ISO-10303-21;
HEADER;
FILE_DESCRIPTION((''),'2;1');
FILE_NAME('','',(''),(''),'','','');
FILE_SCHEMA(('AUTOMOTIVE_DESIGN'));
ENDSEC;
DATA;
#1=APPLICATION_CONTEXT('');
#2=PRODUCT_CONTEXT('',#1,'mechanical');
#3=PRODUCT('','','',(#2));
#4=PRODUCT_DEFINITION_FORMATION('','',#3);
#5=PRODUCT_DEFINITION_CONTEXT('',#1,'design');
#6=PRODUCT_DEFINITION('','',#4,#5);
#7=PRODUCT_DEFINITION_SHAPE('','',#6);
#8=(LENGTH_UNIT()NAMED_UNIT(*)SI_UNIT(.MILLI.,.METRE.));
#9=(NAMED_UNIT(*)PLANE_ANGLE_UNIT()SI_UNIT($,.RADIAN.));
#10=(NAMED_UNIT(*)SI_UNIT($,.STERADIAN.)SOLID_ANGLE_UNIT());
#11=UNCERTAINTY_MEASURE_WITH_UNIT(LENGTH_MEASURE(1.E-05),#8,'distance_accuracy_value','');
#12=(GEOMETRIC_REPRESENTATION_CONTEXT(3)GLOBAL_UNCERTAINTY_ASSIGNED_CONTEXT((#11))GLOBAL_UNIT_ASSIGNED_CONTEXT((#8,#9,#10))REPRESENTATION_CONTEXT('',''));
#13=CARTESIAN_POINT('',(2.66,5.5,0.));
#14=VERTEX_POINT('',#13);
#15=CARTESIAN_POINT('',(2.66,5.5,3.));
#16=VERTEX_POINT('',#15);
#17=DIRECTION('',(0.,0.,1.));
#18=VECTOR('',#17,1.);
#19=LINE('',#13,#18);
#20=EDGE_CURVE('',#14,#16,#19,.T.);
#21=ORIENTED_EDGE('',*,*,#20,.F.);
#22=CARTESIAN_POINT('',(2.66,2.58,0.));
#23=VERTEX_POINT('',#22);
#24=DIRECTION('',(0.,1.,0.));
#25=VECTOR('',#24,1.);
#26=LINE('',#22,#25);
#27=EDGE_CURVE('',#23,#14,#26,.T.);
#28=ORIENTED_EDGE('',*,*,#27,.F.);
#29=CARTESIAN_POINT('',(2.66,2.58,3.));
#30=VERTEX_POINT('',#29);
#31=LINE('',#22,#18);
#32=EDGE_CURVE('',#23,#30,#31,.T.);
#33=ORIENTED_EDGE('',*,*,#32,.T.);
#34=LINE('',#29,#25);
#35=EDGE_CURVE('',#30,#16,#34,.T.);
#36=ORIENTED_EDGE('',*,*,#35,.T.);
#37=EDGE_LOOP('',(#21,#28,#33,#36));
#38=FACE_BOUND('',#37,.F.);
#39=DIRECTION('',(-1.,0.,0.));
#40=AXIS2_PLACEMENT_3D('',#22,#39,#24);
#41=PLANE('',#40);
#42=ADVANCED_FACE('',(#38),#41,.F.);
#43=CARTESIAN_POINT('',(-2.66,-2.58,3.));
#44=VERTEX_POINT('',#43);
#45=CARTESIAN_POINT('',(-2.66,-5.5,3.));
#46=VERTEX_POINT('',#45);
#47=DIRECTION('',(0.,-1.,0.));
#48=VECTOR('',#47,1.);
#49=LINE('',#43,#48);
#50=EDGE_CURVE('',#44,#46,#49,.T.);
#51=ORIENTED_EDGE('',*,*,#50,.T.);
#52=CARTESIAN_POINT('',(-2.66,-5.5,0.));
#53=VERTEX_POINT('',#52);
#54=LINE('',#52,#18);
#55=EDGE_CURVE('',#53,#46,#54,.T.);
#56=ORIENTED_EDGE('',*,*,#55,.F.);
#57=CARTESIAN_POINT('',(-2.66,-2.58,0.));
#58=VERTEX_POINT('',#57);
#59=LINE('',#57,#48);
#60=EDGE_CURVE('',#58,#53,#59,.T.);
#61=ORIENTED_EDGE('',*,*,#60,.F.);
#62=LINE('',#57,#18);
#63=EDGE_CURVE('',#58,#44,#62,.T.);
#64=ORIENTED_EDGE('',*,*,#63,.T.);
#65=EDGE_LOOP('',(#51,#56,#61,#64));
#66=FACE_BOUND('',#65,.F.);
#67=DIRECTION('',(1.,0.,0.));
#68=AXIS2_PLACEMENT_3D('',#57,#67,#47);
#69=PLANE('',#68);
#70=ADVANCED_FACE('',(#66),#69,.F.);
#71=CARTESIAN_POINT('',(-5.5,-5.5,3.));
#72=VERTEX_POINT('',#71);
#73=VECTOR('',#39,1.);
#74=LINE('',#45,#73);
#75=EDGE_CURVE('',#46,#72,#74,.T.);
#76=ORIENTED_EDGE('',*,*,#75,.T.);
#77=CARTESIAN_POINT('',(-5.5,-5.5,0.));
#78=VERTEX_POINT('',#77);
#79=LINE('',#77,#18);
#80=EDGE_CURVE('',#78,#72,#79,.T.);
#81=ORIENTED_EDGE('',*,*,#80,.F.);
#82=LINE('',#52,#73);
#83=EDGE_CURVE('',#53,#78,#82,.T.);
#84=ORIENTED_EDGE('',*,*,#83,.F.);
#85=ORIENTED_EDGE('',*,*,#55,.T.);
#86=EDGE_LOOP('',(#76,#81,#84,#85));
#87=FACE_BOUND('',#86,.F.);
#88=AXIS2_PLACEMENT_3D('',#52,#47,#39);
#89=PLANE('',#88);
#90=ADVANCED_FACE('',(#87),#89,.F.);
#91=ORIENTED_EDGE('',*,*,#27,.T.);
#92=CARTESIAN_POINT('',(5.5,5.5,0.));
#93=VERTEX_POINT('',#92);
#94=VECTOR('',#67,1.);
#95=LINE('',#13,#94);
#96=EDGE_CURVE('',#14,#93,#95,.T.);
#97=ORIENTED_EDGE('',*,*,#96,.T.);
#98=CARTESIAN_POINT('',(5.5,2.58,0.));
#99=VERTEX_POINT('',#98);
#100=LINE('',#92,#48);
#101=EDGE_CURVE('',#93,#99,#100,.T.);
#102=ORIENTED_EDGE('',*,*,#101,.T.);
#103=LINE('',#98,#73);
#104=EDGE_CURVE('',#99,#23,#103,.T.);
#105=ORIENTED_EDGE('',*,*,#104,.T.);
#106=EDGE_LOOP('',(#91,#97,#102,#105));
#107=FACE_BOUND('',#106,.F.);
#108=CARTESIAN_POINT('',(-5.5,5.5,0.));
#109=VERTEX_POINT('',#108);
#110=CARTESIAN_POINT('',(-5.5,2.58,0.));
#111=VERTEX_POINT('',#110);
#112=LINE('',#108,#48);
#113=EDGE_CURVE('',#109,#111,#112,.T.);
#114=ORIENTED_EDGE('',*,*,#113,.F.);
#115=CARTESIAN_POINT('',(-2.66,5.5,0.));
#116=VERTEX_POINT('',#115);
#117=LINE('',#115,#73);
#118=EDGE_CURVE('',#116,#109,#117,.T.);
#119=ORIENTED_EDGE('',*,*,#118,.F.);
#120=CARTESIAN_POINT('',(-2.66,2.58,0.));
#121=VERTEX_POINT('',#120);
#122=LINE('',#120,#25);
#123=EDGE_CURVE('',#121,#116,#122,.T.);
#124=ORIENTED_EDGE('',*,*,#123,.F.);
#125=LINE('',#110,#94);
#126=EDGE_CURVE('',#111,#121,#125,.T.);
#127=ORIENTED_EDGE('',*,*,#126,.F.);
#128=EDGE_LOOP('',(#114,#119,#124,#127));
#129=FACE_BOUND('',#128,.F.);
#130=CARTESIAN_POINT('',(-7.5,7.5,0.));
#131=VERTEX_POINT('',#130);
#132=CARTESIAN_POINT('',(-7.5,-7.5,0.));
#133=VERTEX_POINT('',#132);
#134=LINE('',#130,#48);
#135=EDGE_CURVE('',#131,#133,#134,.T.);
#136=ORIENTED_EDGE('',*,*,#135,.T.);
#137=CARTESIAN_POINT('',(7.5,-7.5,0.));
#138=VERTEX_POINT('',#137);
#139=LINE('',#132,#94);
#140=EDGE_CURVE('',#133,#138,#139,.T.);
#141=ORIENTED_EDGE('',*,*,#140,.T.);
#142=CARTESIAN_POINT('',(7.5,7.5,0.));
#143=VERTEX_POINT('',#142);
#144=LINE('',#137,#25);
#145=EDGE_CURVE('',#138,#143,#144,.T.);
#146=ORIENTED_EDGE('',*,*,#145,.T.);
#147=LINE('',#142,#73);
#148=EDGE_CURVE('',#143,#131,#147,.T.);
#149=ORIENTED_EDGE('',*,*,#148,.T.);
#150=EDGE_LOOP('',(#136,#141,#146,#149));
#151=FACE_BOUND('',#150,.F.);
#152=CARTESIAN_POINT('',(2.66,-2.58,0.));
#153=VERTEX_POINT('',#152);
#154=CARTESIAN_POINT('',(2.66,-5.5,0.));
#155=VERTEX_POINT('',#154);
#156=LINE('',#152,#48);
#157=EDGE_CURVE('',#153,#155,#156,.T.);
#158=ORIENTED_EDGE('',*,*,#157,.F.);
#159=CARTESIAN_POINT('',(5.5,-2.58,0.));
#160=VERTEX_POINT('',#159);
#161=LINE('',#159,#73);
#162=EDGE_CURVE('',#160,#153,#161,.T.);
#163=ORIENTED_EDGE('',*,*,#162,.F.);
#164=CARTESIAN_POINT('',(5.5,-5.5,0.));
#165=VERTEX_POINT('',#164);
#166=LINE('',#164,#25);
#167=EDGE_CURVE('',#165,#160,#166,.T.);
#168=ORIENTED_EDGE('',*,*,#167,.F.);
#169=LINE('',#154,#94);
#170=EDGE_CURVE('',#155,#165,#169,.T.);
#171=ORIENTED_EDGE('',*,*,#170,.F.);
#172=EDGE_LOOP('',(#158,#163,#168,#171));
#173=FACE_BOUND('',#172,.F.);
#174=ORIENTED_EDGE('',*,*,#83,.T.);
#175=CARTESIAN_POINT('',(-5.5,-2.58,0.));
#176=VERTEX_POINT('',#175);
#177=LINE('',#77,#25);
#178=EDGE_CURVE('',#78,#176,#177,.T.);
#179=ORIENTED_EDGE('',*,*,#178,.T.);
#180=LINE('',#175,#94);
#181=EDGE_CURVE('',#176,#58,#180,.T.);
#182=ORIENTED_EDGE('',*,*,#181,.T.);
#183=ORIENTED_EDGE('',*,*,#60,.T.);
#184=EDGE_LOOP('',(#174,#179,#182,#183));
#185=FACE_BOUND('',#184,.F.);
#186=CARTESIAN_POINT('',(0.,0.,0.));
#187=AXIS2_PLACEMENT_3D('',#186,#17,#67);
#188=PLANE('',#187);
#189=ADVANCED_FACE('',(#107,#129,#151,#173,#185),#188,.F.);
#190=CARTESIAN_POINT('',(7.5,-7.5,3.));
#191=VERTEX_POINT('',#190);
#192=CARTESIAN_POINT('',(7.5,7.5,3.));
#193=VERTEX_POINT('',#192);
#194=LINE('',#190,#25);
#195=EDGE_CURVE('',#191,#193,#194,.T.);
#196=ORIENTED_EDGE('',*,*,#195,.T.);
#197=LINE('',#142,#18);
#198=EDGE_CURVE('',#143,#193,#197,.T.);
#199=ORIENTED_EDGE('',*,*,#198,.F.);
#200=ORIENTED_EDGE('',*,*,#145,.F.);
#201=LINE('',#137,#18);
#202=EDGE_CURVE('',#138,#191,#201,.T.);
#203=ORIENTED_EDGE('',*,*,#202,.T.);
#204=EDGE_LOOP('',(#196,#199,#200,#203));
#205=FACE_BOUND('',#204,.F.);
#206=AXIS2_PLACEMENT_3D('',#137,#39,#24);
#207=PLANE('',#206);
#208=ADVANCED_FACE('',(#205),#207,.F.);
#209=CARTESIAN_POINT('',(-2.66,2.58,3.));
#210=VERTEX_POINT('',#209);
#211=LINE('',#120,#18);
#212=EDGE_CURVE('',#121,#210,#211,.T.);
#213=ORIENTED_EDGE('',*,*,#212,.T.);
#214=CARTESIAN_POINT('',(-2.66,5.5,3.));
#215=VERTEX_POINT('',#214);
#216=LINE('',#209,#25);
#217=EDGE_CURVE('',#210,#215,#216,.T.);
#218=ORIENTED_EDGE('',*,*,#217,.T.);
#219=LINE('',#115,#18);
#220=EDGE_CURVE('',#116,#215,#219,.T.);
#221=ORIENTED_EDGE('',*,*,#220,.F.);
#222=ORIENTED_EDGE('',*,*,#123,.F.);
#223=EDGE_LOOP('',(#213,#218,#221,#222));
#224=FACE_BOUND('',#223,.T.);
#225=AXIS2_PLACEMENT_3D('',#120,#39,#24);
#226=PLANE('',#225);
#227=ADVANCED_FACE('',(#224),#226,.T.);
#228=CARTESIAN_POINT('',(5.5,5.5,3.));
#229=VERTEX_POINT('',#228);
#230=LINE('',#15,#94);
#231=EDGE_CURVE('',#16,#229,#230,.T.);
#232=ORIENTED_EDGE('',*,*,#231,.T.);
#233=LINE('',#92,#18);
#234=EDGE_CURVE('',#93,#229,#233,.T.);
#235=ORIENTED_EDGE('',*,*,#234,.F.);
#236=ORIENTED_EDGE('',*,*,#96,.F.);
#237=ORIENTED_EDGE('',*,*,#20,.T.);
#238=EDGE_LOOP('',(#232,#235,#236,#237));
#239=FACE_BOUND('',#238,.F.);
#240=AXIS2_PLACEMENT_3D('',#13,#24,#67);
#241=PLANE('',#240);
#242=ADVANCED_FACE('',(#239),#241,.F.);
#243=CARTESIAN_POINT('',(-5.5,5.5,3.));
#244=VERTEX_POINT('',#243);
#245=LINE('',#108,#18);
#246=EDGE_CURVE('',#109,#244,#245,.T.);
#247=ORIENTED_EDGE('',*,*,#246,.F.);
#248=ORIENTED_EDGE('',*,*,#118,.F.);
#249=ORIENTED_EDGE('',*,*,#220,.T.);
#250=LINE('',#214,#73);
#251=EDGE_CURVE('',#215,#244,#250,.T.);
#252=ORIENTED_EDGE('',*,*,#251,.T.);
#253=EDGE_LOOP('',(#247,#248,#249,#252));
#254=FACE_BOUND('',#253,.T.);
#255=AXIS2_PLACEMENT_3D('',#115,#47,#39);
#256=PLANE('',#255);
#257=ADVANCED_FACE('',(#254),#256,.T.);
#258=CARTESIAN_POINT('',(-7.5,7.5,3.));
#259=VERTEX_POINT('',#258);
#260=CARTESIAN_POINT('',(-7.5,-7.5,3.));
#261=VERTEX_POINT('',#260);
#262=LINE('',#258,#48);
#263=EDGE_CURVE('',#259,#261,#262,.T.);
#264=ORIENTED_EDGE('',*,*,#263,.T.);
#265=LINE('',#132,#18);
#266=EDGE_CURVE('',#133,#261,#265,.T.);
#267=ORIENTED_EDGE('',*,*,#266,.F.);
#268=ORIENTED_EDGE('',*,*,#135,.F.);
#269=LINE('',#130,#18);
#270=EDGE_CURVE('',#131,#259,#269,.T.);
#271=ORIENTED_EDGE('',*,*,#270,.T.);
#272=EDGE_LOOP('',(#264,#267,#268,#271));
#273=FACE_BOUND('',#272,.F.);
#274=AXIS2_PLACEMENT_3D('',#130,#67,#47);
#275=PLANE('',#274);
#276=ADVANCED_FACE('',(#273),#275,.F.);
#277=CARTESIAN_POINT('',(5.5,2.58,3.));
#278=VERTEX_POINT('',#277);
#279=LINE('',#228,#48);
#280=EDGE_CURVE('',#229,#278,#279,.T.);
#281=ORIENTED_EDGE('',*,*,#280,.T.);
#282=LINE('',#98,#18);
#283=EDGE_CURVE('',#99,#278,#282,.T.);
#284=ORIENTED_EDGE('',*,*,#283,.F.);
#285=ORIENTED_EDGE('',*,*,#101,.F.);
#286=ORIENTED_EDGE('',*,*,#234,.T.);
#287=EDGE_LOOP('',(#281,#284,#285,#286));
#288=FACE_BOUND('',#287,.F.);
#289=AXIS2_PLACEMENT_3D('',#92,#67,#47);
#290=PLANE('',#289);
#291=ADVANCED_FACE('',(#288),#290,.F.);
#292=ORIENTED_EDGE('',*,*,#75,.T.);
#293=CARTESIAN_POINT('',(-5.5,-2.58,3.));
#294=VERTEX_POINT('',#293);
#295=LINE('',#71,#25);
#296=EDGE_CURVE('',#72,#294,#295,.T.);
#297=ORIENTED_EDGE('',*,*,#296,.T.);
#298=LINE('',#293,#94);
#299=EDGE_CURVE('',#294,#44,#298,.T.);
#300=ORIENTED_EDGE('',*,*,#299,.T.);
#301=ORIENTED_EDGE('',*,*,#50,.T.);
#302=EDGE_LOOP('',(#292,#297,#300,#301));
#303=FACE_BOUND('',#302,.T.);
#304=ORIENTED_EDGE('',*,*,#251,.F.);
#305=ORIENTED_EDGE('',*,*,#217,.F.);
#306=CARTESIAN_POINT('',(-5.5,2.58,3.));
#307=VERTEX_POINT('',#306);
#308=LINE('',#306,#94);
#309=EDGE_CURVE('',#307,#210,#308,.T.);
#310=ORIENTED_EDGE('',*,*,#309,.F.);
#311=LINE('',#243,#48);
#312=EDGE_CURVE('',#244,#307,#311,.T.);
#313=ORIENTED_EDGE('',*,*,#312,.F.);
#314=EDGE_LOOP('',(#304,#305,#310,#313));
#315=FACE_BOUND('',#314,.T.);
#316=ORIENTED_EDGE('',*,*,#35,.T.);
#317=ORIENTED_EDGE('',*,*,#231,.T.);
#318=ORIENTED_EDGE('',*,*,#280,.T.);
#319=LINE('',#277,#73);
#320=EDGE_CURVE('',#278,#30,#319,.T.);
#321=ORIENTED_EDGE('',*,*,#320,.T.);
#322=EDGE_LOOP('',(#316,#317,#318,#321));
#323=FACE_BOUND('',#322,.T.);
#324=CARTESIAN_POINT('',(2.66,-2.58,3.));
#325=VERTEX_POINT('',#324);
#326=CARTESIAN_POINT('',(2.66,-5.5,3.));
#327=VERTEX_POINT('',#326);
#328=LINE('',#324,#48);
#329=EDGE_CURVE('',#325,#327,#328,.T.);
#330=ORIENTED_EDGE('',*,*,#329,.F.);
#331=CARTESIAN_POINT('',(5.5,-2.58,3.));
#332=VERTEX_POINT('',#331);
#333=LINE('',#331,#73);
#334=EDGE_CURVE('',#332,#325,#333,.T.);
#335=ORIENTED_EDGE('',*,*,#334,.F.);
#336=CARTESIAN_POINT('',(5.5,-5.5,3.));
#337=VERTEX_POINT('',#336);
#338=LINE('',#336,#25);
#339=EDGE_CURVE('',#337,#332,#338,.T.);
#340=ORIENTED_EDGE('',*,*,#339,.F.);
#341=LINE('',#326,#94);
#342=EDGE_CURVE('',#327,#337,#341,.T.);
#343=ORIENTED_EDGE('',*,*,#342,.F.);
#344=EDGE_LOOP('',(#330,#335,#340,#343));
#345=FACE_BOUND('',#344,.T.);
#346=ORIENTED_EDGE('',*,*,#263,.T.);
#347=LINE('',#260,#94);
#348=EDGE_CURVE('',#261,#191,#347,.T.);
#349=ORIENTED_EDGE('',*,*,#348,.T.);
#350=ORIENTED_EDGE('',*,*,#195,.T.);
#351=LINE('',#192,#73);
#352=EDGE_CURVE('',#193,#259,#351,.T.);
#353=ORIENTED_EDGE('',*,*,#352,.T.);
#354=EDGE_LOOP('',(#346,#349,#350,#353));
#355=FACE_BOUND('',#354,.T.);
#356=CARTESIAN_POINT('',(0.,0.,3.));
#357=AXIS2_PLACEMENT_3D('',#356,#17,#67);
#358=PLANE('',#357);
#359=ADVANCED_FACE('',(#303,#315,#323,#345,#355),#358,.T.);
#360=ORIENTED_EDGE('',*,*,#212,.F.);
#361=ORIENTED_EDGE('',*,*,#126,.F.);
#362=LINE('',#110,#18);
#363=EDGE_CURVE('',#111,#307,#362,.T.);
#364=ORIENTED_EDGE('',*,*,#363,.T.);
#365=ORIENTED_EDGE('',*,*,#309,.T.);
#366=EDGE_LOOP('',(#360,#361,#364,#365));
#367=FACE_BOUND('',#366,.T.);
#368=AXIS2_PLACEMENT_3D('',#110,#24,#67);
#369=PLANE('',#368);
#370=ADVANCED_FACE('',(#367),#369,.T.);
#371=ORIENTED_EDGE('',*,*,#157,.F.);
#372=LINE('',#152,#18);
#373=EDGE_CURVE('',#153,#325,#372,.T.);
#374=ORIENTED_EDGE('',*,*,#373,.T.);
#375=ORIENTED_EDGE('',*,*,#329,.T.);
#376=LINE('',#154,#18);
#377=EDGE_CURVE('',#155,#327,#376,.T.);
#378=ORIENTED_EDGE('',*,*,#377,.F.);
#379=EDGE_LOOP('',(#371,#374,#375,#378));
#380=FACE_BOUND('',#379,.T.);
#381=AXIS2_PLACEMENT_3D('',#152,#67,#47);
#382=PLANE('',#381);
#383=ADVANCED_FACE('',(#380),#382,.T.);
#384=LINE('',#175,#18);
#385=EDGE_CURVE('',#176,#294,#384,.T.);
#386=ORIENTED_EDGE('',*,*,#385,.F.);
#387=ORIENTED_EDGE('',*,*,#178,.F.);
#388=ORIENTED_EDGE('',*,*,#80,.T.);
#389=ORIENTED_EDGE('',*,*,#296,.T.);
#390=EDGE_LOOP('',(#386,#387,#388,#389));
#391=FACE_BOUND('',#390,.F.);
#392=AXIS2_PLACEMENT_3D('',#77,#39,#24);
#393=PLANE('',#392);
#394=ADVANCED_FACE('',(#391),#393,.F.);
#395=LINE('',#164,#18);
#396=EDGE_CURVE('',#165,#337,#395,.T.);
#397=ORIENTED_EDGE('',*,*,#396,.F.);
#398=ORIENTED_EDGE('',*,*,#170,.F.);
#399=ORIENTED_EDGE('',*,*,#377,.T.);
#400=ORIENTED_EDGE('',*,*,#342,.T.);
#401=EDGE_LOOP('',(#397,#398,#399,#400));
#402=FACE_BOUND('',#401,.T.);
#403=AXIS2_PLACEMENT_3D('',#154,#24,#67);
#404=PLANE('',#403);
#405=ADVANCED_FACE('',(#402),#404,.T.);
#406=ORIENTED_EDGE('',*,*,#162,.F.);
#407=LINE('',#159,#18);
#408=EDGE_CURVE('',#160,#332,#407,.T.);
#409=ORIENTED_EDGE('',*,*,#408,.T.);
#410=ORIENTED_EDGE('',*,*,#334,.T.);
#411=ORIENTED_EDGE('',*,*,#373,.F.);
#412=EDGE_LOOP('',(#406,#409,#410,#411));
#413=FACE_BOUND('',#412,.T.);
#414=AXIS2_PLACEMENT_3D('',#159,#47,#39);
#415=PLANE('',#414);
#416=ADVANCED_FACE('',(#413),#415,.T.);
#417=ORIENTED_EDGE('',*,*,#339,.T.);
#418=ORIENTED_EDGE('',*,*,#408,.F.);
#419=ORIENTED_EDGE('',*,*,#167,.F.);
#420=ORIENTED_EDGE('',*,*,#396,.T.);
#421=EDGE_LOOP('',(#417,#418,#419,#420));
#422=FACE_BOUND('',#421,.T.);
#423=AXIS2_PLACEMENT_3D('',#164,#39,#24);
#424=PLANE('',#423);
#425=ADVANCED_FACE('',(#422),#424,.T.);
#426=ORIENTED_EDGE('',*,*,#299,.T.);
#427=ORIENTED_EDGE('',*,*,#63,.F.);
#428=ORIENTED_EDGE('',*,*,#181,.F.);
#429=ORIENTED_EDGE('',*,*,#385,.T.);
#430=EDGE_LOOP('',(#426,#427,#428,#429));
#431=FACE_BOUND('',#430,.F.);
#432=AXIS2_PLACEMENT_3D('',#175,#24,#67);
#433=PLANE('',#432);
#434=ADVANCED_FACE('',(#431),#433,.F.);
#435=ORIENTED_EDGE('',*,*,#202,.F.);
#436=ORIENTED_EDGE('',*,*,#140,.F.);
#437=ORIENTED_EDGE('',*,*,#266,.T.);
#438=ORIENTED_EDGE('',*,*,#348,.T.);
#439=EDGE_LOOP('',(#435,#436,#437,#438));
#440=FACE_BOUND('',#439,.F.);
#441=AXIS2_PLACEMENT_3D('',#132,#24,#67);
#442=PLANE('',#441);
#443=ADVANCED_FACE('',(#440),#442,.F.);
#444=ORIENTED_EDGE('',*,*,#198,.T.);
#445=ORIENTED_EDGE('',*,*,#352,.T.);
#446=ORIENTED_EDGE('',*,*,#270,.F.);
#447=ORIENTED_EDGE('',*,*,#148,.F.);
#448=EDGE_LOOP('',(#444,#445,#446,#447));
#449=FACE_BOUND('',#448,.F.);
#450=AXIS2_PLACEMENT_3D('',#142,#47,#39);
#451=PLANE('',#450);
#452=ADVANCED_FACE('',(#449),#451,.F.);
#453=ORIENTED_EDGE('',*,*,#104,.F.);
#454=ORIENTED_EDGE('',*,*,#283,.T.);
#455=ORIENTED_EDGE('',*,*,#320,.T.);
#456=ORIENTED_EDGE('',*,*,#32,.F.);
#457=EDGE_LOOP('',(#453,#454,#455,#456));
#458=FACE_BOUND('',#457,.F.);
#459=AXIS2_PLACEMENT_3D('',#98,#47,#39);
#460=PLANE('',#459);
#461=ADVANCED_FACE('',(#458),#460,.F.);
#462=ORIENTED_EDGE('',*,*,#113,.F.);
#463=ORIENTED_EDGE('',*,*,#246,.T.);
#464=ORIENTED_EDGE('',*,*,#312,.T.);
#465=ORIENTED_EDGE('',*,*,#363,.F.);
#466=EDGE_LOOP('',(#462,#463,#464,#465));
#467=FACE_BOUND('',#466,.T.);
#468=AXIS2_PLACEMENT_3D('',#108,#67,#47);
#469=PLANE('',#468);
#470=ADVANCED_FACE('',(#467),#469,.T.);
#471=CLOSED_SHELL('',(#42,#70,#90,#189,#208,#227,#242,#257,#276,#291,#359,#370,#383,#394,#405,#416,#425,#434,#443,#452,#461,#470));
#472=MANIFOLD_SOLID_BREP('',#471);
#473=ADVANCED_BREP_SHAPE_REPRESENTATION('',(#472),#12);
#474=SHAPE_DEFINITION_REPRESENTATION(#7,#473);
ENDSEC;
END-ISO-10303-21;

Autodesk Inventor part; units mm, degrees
ref_plane "YZ Plane" through (0, 0, 0) normal (1, 0, 0) x (0, 1, 0)
ref_plane "XZ Plane" through (0, 0, 0) normal (0, 1, 0) x (-1, 0, 0)
ref_plane "XY Plane" through (0, 0, 0) normal (0, 0, 1) x (1, 0, 0)
sketch "Sketch1" plane through (0, 0, 0) normal (0, 0, 1) x (1, 0, 0)
  line L0 (-2, -1.5) -> (2, -1.5)
  line L1 (2, 1.5) -> (-2, 1.5)
  arc A0 (-2, 1.5) -> (-2, -1.5) centre (0, 0) ccw
  arc A1 (2, -1.5) -> (2, 1.5) centre (0, 0) ccw
  line L2 (-7.5, -7.5) -> (7.5, -7.5)
  line L3 (7.5, -7.5) -> (7.5, 7.5)
  line L4 (7.5, 7.5) -> (-7.5, 7.5)
  line L5 (-7.5, 7.5) -> (-7.5, -7.5)
  line L6 (-7.5, -7.5) -> (7.5, 7.5) construction
  line L7 (7.5, -7.5) -> (-7.5, 7.5) construction
  line L8 (-5.5, 2.58) -> (-2.66, 2.58)
  line L9 (-2.66, 2.58) -> (-2.66, 5.5)
  line L10 (-2.66, 5.5) -> (-5.5, 5.5)
  line L11 (-5.5, 5.5) -> (-5.5, 2.58)
  line L12 (0, 0) -> (0, 4.08) construction
  line L13 (0, 0) -> (5.4269, 0) construction
  line L14 (2.66, 2.58) -> (2.66, 5.5)
  line L15 (2.66, 5.5) -> (5.5, 5.5)
  line L16 (5.5, 5.5) -> (5.5, 2.58)
  line L17 (5.5, 2.58) -> (2.66, 2.58)
  line L18 (2.66, -2.58) -> (2.66, -5.5)
  line L19 (5.5, -2.58) -> (2.66, -2.58)
  line L20 (5.5, -5.5) -> (5.5, -2.58)
  line L21 (2.66, -5.5) -> (5.5, -5.5)
  line L22 (-5.5, -2.58) -> (-2.66, -2.58)
  line L23 (-2.66, -5.5) -> (-5.5, -5.5)
  line L24 (-5.5, -5.5) -> (-5.5, -2.58)
  line L25 (-2.66, -2.58) -> (-2.66, -5.5)
  point P0 (0, 0)
  point P1 (0, -4.08)
  point P2 (0, 0)
  dimension "d0" = 4
  dimension "d1" = 2.5
  dimension "d2" = 15
  dimension "d4" = 2.84
  dimension "d5" = 2.92
  dimension "d6" = 2
  dimension "d7" = 2
extrude "Extrusion1" add sketch "Sketch1" along normal blind 3 contours A0 L1 A1 L0 | L5 L4 L3 L2
properties part number "motor_middle"
